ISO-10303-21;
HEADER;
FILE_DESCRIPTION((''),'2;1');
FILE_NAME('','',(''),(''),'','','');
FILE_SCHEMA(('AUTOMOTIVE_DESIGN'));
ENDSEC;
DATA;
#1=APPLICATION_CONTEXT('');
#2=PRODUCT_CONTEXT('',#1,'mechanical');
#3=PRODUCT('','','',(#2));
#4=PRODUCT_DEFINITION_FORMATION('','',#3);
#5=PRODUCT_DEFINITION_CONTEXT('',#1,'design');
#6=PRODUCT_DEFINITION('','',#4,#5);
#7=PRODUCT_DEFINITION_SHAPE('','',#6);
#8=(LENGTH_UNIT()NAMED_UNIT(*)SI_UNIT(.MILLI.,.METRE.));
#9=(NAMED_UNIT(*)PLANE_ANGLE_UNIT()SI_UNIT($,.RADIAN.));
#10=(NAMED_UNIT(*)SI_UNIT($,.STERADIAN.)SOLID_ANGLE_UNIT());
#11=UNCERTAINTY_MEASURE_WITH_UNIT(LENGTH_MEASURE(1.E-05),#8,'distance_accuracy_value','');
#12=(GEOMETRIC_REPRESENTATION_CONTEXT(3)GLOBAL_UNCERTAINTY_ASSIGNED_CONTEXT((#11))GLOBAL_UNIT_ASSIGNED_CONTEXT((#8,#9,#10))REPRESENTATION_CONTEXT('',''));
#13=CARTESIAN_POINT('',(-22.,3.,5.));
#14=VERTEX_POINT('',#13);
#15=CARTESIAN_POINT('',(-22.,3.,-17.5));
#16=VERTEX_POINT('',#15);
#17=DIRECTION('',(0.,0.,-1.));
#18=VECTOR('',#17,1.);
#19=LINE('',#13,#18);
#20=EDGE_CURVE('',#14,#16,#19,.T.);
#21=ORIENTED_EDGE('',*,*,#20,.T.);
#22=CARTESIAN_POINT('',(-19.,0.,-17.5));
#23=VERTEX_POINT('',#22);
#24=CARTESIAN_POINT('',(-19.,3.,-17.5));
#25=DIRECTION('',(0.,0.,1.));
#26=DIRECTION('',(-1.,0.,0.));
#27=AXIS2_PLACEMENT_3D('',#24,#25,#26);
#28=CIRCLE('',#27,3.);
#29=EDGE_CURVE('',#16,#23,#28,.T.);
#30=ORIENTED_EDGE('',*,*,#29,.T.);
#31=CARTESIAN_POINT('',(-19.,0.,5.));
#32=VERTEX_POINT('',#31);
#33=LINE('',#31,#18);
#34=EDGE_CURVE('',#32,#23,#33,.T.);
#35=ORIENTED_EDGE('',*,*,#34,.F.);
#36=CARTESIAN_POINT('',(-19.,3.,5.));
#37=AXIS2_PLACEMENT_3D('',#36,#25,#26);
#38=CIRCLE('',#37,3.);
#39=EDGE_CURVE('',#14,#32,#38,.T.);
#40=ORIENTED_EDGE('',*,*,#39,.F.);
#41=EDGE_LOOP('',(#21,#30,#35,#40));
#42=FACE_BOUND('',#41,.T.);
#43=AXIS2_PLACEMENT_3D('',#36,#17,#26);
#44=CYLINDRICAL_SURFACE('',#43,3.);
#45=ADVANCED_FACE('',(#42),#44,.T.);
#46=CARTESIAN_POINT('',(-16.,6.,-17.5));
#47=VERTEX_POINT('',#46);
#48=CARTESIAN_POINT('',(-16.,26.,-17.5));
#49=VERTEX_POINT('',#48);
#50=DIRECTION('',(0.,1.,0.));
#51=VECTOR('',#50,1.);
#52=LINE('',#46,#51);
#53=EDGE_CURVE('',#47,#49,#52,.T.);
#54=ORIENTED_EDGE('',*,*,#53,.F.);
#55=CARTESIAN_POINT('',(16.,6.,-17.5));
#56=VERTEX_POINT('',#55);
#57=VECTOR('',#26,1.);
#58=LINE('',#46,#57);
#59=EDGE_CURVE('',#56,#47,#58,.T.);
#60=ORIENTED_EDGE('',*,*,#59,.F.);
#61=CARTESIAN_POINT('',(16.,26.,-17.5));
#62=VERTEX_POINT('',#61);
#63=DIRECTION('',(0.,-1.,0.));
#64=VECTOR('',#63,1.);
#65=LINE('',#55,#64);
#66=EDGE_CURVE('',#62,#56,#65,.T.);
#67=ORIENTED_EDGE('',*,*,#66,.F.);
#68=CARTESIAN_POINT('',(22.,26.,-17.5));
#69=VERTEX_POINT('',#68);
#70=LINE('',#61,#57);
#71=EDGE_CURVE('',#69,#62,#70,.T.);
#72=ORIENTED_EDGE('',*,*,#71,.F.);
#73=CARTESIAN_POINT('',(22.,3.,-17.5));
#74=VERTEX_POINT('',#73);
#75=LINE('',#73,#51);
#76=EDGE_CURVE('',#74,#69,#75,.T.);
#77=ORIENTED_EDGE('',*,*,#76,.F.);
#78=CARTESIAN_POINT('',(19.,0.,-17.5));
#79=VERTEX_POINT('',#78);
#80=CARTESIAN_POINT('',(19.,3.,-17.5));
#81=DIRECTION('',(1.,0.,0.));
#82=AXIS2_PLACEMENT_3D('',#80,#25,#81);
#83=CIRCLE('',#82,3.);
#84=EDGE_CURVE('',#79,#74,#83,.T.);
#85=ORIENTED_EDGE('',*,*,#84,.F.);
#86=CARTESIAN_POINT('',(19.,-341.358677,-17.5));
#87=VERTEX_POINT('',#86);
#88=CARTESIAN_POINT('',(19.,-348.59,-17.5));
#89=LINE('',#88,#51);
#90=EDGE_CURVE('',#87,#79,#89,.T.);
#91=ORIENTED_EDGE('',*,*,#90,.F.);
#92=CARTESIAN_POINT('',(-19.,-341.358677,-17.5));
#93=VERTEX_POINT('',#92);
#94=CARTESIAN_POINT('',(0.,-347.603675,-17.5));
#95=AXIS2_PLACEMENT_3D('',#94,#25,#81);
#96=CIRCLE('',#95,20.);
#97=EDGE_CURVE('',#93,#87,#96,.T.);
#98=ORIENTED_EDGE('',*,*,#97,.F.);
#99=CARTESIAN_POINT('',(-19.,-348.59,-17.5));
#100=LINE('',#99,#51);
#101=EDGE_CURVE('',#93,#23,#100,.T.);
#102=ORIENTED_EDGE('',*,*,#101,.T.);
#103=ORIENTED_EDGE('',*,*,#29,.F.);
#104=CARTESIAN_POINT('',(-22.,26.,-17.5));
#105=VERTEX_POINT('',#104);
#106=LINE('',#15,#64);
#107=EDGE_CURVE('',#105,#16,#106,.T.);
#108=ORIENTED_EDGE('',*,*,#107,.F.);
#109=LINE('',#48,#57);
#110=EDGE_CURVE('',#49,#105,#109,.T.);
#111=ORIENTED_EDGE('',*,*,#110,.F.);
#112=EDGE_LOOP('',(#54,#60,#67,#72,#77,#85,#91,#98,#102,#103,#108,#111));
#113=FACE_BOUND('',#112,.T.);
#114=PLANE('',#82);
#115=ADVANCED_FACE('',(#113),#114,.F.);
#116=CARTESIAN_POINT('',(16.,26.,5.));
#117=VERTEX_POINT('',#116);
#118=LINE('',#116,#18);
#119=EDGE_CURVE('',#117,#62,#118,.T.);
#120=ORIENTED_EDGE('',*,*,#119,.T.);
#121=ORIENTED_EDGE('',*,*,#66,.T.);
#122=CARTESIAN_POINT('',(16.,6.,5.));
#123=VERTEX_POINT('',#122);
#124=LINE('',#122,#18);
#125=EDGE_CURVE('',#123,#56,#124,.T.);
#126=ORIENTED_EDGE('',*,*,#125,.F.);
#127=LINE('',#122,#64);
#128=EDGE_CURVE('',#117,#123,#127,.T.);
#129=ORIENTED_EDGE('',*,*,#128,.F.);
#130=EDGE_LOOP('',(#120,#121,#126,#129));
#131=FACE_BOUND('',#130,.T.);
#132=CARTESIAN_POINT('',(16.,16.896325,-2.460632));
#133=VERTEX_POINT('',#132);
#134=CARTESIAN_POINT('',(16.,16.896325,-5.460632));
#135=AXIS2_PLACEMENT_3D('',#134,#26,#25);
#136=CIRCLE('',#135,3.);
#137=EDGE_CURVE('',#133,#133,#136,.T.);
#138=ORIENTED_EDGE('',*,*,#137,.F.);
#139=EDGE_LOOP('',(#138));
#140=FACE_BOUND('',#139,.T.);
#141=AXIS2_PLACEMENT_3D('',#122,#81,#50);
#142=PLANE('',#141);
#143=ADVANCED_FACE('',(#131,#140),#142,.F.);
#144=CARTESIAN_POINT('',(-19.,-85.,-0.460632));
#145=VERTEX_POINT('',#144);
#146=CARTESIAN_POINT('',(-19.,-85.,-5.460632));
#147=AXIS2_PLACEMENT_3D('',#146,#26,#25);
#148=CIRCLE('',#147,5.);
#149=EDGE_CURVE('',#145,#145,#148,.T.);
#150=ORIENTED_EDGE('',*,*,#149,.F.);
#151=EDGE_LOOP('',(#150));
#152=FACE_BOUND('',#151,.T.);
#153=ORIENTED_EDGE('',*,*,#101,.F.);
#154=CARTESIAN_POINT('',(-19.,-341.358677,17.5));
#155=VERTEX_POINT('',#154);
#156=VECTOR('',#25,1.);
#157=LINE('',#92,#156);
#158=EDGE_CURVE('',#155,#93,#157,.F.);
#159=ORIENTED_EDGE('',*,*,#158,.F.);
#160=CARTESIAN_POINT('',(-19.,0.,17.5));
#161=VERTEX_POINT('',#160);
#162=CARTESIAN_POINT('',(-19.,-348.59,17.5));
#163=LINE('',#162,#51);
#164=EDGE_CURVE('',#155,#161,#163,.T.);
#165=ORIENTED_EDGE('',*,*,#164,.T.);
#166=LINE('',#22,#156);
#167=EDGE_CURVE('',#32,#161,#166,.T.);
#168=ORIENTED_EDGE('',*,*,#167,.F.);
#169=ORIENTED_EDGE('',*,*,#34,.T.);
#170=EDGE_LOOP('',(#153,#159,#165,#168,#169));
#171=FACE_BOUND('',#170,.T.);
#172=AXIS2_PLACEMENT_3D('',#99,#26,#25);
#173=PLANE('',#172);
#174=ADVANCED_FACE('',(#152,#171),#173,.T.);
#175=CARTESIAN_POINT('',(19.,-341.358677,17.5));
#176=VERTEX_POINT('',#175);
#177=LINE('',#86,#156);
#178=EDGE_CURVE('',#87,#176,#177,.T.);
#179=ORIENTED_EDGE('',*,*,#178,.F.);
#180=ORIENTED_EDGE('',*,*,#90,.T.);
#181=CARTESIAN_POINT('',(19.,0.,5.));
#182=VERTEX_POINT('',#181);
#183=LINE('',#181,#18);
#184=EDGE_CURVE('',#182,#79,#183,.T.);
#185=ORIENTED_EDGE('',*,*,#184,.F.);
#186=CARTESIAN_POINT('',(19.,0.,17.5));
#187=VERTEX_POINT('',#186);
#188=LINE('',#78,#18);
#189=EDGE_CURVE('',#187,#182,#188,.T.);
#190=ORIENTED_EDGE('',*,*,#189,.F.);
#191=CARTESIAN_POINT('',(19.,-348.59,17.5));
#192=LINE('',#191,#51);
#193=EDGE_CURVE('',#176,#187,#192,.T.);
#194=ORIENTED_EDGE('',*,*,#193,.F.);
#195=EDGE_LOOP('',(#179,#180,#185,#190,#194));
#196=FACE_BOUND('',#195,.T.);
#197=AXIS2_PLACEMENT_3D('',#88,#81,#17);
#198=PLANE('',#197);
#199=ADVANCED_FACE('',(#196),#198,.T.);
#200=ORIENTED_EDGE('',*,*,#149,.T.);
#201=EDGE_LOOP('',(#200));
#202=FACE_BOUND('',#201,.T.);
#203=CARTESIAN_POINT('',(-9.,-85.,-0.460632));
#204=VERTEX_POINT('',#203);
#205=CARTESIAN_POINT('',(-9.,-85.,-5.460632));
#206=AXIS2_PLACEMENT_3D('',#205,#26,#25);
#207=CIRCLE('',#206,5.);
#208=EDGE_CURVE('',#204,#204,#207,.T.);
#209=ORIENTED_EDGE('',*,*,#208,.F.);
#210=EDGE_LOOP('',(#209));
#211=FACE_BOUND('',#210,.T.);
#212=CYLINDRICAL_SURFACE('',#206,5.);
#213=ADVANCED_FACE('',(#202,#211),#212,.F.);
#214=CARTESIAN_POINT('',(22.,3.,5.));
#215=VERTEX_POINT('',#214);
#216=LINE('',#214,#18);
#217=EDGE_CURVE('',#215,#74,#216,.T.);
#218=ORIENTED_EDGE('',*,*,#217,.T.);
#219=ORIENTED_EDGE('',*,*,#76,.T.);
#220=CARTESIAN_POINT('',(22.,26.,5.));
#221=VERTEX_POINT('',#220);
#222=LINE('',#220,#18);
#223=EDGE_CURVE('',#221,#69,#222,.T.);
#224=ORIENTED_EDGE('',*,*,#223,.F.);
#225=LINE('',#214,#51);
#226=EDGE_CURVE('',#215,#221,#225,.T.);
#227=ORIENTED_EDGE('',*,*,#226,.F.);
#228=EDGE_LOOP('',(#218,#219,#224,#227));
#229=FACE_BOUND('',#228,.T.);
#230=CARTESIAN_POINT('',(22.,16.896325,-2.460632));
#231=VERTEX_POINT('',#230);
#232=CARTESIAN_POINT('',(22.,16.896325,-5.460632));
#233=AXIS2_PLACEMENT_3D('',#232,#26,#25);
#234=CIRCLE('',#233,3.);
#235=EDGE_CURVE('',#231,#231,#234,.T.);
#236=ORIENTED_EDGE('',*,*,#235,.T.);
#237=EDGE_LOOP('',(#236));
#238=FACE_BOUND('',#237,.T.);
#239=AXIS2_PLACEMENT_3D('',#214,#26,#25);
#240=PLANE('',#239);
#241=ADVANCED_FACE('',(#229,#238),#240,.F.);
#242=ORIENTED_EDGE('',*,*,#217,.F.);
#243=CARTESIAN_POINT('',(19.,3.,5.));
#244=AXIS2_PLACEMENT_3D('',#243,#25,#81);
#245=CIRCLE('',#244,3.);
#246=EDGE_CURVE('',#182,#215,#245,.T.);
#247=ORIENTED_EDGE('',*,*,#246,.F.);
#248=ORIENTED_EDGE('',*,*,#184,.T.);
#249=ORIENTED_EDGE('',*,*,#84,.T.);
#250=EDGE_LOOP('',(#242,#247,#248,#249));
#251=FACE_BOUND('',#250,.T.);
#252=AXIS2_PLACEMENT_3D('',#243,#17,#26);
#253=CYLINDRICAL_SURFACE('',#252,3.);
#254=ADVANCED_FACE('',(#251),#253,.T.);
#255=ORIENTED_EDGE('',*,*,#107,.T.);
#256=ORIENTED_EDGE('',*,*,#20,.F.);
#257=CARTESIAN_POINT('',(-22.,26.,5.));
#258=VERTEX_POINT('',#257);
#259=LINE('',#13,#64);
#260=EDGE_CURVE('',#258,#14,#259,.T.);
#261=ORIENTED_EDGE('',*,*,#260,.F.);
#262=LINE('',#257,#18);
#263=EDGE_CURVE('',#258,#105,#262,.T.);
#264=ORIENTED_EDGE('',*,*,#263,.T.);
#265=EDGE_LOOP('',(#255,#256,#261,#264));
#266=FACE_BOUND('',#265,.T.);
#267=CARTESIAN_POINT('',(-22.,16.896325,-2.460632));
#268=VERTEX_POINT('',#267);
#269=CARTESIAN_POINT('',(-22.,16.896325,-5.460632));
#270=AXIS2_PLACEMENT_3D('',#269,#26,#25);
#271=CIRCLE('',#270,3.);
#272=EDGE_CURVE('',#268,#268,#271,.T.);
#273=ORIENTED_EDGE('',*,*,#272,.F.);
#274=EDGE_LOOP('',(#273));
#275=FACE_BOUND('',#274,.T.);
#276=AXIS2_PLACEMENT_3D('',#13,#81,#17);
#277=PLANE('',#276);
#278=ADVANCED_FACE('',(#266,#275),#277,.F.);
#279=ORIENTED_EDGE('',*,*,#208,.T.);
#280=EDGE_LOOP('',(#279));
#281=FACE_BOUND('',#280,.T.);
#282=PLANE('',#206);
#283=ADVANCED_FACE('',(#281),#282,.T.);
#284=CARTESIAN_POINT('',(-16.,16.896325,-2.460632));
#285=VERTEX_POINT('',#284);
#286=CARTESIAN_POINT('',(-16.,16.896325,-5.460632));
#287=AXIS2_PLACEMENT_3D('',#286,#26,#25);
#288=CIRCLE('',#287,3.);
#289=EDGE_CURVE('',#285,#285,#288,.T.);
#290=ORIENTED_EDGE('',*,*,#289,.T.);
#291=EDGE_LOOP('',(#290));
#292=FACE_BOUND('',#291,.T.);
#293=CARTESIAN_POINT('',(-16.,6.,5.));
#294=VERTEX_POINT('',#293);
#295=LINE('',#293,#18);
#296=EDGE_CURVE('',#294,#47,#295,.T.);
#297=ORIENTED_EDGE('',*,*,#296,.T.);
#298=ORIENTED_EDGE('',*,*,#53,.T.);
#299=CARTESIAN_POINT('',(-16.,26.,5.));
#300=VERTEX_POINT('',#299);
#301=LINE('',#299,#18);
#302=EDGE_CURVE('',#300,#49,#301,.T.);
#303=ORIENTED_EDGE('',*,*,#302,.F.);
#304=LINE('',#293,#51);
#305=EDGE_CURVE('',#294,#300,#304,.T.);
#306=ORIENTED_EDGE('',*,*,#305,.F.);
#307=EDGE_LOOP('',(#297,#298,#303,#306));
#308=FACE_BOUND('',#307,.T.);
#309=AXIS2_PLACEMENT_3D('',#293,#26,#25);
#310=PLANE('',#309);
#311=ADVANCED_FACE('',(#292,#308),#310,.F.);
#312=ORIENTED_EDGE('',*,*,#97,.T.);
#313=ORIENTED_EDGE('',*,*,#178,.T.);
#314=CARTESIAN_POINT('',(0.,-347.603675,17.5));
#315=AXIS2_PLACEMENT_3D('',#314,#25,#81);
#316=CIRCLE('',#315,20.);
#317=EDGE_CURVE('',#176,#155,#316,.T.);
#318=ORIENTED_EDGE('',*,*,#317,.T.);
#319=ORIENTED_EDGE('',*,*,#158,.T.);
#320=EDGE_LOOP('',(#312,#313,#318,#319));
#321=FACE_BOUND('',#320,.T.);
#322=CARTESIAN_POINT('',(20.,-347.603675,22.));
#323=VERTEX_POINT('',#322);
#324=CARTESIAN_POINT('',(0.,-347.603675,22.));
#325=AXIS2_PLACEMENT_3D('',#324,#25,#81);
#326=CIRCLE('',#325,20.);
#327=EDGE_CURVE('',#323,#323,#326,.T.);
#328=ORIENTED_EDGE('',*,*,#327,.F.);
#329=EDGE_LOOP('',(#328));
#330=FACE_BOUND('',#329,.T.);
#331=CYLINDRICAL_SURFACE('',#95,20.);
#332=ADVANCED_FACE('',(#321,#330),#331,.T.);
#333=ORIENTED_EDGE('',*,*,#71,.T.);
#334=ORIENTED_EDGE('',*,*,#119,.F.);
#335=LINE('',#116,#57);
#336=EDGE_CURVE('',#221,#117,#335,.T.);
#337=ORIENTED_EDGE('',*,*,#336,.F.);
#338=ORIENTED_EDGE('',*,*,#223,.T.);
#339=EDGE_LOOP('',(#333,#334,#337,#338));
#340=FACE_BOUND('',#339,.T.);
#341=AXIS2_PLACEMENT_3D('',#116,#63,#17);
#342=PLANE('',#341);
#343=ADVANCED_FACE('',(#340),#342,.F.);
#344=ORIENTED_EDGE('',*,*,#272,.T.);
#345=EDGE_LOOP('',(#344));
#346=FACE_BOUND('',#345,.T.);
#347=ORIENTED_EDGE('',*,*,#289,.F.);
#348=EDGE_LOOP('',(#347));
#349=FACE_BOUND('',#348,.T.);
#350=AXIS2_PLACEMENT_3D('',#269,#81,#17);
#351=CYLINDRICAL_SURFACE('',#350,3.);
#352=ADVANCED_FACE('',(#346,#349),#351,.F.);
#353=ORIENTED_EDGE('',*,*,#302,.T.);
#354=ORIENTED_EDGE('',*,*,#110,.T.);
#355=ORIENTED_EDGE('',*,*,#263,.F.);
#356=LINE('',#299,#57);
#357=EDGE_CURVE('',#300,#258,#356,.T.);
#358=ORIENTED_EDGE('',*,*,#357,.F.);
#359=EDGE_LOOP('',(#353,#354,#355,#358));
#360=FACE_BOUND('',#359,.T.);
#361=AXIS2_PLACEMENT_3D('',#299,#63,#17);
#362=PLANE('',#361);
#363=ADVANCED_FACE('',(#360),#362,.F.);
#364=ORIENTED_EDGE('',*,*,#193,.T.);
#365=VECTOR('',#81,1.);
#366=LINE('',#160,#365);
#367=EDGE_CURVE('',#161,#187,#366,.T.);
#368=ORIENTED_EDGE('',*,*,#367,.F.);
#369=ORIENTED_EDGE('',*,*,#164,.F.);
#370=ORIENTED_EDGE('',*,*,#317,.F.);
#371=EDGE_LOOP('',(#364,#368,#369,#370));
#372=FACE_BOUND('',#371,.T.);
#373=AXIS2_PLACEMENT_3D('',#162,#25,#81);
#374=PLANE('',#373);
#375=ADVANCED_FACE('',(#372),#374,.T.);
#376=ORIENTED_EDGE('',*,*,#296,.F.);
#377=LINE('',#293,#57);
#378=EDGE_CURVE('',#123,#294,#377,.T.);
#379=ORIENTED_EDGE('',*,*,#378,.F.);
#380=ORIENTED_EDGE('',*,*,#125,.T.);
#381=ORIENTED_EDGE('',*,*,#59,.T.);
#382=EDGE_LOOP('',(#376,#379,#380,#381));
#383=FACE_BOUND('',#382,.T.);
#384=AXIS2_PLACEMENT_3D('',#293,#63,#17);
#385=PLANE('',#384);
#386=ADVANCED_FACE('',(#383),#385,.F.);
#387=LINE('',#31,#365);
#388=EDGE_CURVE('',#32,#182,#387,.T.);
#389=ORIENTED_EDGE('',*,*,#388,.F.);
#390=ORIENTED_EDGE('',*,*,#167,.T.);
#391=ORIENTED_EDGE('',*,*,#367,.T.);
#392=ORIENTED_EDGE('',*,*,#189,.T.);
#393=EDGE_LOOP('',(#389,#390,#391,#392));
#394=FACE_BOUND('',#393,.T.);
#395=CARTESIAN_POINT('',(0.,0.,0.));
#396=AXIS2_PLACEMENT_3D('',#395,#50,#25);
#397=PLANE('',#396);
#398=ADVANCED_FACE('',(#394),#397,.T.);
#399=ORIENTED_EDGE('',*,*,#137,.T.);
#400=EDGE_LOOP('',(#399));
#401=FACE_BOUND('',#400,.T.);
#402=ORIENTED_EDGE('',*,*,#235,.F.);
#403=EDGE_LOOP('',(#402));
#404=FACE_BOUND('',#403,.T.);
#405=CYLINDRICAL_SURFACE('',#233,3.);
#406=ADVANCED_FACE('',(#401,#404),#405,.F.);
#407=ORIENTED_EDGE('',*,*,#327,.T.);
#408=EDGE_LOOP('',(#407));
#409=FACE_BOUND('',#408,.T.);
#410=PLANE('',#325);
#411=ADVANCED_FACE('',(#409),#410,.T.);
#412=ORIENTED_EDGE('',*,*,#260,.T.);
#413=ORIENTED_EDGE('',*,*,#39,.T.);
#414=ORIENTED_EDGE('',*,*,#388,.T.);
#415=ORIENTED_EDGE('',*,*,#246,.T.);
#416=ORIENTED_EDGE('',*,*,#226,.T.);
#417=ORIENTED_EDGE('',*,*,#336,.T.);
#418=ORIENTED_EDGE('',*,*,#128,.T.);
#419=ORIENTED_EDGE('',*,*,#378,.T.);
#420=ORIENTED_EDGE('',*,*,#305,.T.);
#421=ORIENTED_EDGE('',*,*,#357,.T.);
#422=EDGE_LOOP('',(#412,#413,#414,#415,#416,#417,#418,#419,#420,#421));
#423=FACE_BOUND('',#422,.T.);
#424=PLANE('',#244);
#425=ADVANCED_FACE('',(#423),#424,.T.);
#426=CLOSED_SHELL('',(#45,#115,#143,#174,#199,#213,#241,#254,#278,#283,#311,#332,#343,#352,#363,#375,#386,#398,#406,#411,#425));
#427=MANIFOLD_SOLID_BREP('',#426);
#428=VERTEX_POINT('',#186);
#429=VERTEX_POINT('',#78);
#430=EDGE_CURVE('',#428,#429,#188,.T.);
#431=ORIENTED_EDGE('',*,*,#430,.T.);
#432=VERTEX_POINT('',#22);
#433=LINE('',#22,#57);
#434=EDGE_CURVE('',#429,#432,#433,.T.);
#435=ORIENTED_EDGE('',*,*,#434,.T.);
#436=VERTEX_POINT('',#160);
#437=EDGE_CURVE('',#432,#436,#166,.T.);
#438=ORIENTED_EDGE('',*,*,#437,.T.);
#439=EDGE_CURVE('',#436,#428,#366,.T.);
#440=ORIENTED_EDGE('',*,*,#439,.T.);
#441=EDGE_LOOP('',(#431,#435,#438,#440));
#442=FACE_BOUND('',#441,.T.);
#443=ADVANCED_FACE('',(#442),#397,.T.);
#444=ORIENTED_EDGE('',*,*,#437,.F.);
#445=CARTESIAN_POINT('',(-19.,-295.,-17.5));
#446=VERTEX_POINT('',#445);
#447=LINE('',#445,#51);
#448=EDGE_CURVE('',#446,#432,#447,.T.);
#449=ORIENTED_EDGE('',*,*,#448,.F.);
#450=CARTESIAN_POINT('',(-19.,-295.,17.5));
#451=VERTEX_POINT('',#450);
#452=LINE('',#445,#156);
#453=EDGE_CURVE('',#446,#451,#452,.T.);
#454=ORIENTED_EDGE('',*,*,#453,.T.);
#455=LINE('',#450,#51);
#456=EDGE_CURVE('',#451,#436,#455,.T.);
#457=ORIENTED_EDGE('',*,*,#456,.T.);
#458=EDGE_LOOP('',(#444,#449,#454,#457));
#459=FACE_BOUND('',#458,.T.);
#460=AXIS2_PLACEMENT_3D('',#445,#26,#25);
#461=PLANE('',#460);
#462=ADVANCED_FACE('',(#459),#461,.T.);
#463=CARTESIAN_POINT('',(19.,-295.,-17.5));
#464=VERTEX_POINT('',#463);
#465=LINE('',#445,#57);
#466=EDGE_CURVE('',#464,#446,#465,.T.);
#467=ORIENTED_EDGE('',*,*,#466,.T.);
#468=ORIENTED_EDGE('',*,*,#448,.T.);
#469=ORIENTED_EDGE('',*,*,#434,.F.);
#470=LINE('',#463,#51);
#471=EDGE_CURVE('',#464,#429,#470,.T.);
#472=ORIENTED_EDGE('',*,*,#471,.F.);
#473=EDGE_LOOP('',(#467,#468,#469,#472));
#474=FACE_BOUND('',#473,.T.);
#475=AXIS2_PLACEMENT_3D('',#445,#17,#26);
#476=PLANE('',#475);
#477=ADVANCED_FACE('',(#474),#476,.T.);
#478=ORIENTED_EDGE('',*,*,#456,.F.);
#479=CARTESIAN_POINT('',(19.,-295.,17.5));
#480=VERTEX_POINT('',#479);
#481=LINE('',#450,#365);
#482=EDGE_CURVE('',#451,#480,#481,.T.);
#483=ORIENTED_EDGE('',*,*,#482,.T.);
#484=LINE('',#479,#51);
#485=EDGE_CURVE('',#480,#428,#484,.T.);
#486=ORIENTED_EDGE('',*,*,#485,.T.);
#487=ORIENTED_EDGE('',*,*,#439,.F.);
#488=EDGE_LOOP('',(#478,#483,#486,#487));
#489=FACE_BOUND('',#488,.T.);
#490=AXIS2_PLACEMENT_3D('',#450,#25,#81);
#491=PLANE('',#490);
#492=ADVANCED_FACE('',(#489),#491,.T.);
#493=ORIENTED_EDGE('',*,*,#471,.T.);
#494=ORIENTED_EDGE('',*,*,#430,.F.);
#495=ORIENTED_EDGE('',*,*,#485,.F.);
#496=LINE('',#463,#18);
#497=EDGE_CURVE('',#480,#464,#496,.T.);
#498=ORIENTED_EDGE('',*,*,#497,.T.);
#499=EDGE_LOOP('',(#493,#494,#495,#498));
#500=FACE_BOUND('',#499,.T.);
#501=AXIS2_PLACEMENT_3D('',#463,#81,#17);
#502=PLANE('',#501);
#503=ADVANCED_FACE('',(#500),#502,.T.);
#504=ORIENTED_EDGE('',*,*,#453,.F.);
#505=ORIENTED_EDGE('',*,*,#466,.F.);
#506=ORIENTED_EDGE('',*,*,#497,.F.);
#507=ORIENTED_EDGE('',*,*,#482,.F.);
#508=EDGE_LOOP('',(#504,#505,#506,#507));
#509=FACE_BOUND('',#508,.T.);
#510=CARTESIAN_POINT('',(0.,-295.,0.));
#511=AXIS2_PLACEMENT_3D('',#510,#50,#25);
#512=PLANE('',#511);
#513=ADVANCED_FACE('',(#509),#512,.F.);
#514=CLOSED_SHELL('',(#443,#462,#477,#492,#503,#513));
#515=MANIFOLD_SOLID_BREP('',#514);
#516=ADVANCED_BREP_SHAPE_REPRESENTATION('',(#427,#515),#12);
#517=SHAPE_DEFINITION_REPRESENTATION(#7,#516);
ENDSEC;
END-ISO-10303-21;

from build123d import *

# Parameters (mm, degrees)
SKETCH1_W                = 38
SKETCH1_H                = 35
BOSS_EXTRUDE1_DEPTH      = 295
BOSS_EXTRUDE3_DEPTH      = 5
BOSS_EXTRUDE3_DEPTH_BACK = 17.5
SKETCH1_3_W              = 38
SKETCH1_3_H              = 35
BOSS_EXTRUDE6_DEPTH      = 348.59
CUT_EXTRUDE1_START       = -6
SKETCH3_R                = 3
CUT_EXTRUDE1_DEPTH       = 6
SKETCH5_R                = 20
BOSS_EXTRUDE8_DEPTH      = 22
BOSS_EXTRUDE8_DEPTH_BACK = 17.5
SKETCH8_R                = 5
CUT_EXTRUDE2_DEPTH       = 10


with BuildPart() as part:
    # Sketch1 → Boss-Extrude1 (new body)
    with BuildSketch(Plane(origin=(0, 0, 0), x_dir=(1, 0, 0), z_dir=(0, 1, 0))):
        Rectangle(SKETCH1_W, SKETCH1_H)
    extrude(amount=-BOSS_EXTRUDE1_DEPTH)


with BuildPart() as body_2:
    # Sketch2 → Boss-Extrude3 (new body, two sides)
    with BuildSketch(Plane.XY) as boss_extrude3_sk:
        with BuildLine():
            Line((-19, 0), (19, 0))
            ThreePointArc((19, 0), (21.121320344, 0.878679656), (22, 3))
            Line((22, 3), (22, 26))
            Line((22, 26), (16, 26))
            Line((16, 26), (16, 6))
            Line((16, 6), (-16, 6))
            Line((-16, 6), (-16, 26))
            Line((-16, 26), (-22, 26))
            Line((-22, 26), (-22, 3))
            ThreePointArc((-22, 3), (-21.121320344, 0.878679656), (-19, 0))
        make_face()
    extrude(amount=BOSS_EXTRUDE3_DEPTH)
    extrude(boss_extrude3_sk.sketch, amount=-BOSS_EXTRUDE3_DEPTH_BACK)

    # Sketch1<3> → Boss-Extrude6 (add)
    with BuildSketch(Plane(origin=(0, 0, 0), x_dir=(1, 0, 0), z_dir=(0, 1, 0))):
        Rectangle(SKETCH1_3_W, SKETCH1_3_H)
    extrude(amount=-BOSS_EXTRUDE6_DEPTH)

    # Sketch3 → Cut-Extrude1 (cut)
    with BuildSketch(Plane.ZY.offset(-16).offset(CUT_EXTRUDE1_START)):
        with Locations((-5.46063237, 16.89632523)):
            Circle(SKETCH3_R)
    cut_extrude1 = extrude(amount=CUT_EXTRUDE1_DEPTH, mode=Mode.SUBTRACT)

    # Mirror1: Cut-Extrude1 across plane
    add(cut_extrude1.mirror(Plane(origin=(0, 0, 0), x_dir=(0, 0, 1), z_dir=(1, 0, 0))), mode=Mode.SUBTRACT)

    # Sketch5 → Boss-Extrude8 (add, two sides)
    with BuildSketch(Plane.XY) as boss_extrude8_sk:
        with Locations((0, -347.60367477)):
            Circle(SKETCH5_R)
    extrude(amount=BOSS_EXTRUDE8_DEPTH)
    extrude(boss_extrude8_sk.sketch, amount=-BOSS_EXTRUDE8_DEPTH_BACK)

    # Sketch8 → Cut-Extrude2 (cut)
    with BuildSketch(Plane.ZY.offset(19)):
        with Locations((-5.46063237, -85)):
            Circle(SKETCH8_R)
    extrude(amount=-CUT_EXTRUDE2_DEPTH, mode=Mode.SUBTRACT)


solid = Compound([part.part, body_2.part])
